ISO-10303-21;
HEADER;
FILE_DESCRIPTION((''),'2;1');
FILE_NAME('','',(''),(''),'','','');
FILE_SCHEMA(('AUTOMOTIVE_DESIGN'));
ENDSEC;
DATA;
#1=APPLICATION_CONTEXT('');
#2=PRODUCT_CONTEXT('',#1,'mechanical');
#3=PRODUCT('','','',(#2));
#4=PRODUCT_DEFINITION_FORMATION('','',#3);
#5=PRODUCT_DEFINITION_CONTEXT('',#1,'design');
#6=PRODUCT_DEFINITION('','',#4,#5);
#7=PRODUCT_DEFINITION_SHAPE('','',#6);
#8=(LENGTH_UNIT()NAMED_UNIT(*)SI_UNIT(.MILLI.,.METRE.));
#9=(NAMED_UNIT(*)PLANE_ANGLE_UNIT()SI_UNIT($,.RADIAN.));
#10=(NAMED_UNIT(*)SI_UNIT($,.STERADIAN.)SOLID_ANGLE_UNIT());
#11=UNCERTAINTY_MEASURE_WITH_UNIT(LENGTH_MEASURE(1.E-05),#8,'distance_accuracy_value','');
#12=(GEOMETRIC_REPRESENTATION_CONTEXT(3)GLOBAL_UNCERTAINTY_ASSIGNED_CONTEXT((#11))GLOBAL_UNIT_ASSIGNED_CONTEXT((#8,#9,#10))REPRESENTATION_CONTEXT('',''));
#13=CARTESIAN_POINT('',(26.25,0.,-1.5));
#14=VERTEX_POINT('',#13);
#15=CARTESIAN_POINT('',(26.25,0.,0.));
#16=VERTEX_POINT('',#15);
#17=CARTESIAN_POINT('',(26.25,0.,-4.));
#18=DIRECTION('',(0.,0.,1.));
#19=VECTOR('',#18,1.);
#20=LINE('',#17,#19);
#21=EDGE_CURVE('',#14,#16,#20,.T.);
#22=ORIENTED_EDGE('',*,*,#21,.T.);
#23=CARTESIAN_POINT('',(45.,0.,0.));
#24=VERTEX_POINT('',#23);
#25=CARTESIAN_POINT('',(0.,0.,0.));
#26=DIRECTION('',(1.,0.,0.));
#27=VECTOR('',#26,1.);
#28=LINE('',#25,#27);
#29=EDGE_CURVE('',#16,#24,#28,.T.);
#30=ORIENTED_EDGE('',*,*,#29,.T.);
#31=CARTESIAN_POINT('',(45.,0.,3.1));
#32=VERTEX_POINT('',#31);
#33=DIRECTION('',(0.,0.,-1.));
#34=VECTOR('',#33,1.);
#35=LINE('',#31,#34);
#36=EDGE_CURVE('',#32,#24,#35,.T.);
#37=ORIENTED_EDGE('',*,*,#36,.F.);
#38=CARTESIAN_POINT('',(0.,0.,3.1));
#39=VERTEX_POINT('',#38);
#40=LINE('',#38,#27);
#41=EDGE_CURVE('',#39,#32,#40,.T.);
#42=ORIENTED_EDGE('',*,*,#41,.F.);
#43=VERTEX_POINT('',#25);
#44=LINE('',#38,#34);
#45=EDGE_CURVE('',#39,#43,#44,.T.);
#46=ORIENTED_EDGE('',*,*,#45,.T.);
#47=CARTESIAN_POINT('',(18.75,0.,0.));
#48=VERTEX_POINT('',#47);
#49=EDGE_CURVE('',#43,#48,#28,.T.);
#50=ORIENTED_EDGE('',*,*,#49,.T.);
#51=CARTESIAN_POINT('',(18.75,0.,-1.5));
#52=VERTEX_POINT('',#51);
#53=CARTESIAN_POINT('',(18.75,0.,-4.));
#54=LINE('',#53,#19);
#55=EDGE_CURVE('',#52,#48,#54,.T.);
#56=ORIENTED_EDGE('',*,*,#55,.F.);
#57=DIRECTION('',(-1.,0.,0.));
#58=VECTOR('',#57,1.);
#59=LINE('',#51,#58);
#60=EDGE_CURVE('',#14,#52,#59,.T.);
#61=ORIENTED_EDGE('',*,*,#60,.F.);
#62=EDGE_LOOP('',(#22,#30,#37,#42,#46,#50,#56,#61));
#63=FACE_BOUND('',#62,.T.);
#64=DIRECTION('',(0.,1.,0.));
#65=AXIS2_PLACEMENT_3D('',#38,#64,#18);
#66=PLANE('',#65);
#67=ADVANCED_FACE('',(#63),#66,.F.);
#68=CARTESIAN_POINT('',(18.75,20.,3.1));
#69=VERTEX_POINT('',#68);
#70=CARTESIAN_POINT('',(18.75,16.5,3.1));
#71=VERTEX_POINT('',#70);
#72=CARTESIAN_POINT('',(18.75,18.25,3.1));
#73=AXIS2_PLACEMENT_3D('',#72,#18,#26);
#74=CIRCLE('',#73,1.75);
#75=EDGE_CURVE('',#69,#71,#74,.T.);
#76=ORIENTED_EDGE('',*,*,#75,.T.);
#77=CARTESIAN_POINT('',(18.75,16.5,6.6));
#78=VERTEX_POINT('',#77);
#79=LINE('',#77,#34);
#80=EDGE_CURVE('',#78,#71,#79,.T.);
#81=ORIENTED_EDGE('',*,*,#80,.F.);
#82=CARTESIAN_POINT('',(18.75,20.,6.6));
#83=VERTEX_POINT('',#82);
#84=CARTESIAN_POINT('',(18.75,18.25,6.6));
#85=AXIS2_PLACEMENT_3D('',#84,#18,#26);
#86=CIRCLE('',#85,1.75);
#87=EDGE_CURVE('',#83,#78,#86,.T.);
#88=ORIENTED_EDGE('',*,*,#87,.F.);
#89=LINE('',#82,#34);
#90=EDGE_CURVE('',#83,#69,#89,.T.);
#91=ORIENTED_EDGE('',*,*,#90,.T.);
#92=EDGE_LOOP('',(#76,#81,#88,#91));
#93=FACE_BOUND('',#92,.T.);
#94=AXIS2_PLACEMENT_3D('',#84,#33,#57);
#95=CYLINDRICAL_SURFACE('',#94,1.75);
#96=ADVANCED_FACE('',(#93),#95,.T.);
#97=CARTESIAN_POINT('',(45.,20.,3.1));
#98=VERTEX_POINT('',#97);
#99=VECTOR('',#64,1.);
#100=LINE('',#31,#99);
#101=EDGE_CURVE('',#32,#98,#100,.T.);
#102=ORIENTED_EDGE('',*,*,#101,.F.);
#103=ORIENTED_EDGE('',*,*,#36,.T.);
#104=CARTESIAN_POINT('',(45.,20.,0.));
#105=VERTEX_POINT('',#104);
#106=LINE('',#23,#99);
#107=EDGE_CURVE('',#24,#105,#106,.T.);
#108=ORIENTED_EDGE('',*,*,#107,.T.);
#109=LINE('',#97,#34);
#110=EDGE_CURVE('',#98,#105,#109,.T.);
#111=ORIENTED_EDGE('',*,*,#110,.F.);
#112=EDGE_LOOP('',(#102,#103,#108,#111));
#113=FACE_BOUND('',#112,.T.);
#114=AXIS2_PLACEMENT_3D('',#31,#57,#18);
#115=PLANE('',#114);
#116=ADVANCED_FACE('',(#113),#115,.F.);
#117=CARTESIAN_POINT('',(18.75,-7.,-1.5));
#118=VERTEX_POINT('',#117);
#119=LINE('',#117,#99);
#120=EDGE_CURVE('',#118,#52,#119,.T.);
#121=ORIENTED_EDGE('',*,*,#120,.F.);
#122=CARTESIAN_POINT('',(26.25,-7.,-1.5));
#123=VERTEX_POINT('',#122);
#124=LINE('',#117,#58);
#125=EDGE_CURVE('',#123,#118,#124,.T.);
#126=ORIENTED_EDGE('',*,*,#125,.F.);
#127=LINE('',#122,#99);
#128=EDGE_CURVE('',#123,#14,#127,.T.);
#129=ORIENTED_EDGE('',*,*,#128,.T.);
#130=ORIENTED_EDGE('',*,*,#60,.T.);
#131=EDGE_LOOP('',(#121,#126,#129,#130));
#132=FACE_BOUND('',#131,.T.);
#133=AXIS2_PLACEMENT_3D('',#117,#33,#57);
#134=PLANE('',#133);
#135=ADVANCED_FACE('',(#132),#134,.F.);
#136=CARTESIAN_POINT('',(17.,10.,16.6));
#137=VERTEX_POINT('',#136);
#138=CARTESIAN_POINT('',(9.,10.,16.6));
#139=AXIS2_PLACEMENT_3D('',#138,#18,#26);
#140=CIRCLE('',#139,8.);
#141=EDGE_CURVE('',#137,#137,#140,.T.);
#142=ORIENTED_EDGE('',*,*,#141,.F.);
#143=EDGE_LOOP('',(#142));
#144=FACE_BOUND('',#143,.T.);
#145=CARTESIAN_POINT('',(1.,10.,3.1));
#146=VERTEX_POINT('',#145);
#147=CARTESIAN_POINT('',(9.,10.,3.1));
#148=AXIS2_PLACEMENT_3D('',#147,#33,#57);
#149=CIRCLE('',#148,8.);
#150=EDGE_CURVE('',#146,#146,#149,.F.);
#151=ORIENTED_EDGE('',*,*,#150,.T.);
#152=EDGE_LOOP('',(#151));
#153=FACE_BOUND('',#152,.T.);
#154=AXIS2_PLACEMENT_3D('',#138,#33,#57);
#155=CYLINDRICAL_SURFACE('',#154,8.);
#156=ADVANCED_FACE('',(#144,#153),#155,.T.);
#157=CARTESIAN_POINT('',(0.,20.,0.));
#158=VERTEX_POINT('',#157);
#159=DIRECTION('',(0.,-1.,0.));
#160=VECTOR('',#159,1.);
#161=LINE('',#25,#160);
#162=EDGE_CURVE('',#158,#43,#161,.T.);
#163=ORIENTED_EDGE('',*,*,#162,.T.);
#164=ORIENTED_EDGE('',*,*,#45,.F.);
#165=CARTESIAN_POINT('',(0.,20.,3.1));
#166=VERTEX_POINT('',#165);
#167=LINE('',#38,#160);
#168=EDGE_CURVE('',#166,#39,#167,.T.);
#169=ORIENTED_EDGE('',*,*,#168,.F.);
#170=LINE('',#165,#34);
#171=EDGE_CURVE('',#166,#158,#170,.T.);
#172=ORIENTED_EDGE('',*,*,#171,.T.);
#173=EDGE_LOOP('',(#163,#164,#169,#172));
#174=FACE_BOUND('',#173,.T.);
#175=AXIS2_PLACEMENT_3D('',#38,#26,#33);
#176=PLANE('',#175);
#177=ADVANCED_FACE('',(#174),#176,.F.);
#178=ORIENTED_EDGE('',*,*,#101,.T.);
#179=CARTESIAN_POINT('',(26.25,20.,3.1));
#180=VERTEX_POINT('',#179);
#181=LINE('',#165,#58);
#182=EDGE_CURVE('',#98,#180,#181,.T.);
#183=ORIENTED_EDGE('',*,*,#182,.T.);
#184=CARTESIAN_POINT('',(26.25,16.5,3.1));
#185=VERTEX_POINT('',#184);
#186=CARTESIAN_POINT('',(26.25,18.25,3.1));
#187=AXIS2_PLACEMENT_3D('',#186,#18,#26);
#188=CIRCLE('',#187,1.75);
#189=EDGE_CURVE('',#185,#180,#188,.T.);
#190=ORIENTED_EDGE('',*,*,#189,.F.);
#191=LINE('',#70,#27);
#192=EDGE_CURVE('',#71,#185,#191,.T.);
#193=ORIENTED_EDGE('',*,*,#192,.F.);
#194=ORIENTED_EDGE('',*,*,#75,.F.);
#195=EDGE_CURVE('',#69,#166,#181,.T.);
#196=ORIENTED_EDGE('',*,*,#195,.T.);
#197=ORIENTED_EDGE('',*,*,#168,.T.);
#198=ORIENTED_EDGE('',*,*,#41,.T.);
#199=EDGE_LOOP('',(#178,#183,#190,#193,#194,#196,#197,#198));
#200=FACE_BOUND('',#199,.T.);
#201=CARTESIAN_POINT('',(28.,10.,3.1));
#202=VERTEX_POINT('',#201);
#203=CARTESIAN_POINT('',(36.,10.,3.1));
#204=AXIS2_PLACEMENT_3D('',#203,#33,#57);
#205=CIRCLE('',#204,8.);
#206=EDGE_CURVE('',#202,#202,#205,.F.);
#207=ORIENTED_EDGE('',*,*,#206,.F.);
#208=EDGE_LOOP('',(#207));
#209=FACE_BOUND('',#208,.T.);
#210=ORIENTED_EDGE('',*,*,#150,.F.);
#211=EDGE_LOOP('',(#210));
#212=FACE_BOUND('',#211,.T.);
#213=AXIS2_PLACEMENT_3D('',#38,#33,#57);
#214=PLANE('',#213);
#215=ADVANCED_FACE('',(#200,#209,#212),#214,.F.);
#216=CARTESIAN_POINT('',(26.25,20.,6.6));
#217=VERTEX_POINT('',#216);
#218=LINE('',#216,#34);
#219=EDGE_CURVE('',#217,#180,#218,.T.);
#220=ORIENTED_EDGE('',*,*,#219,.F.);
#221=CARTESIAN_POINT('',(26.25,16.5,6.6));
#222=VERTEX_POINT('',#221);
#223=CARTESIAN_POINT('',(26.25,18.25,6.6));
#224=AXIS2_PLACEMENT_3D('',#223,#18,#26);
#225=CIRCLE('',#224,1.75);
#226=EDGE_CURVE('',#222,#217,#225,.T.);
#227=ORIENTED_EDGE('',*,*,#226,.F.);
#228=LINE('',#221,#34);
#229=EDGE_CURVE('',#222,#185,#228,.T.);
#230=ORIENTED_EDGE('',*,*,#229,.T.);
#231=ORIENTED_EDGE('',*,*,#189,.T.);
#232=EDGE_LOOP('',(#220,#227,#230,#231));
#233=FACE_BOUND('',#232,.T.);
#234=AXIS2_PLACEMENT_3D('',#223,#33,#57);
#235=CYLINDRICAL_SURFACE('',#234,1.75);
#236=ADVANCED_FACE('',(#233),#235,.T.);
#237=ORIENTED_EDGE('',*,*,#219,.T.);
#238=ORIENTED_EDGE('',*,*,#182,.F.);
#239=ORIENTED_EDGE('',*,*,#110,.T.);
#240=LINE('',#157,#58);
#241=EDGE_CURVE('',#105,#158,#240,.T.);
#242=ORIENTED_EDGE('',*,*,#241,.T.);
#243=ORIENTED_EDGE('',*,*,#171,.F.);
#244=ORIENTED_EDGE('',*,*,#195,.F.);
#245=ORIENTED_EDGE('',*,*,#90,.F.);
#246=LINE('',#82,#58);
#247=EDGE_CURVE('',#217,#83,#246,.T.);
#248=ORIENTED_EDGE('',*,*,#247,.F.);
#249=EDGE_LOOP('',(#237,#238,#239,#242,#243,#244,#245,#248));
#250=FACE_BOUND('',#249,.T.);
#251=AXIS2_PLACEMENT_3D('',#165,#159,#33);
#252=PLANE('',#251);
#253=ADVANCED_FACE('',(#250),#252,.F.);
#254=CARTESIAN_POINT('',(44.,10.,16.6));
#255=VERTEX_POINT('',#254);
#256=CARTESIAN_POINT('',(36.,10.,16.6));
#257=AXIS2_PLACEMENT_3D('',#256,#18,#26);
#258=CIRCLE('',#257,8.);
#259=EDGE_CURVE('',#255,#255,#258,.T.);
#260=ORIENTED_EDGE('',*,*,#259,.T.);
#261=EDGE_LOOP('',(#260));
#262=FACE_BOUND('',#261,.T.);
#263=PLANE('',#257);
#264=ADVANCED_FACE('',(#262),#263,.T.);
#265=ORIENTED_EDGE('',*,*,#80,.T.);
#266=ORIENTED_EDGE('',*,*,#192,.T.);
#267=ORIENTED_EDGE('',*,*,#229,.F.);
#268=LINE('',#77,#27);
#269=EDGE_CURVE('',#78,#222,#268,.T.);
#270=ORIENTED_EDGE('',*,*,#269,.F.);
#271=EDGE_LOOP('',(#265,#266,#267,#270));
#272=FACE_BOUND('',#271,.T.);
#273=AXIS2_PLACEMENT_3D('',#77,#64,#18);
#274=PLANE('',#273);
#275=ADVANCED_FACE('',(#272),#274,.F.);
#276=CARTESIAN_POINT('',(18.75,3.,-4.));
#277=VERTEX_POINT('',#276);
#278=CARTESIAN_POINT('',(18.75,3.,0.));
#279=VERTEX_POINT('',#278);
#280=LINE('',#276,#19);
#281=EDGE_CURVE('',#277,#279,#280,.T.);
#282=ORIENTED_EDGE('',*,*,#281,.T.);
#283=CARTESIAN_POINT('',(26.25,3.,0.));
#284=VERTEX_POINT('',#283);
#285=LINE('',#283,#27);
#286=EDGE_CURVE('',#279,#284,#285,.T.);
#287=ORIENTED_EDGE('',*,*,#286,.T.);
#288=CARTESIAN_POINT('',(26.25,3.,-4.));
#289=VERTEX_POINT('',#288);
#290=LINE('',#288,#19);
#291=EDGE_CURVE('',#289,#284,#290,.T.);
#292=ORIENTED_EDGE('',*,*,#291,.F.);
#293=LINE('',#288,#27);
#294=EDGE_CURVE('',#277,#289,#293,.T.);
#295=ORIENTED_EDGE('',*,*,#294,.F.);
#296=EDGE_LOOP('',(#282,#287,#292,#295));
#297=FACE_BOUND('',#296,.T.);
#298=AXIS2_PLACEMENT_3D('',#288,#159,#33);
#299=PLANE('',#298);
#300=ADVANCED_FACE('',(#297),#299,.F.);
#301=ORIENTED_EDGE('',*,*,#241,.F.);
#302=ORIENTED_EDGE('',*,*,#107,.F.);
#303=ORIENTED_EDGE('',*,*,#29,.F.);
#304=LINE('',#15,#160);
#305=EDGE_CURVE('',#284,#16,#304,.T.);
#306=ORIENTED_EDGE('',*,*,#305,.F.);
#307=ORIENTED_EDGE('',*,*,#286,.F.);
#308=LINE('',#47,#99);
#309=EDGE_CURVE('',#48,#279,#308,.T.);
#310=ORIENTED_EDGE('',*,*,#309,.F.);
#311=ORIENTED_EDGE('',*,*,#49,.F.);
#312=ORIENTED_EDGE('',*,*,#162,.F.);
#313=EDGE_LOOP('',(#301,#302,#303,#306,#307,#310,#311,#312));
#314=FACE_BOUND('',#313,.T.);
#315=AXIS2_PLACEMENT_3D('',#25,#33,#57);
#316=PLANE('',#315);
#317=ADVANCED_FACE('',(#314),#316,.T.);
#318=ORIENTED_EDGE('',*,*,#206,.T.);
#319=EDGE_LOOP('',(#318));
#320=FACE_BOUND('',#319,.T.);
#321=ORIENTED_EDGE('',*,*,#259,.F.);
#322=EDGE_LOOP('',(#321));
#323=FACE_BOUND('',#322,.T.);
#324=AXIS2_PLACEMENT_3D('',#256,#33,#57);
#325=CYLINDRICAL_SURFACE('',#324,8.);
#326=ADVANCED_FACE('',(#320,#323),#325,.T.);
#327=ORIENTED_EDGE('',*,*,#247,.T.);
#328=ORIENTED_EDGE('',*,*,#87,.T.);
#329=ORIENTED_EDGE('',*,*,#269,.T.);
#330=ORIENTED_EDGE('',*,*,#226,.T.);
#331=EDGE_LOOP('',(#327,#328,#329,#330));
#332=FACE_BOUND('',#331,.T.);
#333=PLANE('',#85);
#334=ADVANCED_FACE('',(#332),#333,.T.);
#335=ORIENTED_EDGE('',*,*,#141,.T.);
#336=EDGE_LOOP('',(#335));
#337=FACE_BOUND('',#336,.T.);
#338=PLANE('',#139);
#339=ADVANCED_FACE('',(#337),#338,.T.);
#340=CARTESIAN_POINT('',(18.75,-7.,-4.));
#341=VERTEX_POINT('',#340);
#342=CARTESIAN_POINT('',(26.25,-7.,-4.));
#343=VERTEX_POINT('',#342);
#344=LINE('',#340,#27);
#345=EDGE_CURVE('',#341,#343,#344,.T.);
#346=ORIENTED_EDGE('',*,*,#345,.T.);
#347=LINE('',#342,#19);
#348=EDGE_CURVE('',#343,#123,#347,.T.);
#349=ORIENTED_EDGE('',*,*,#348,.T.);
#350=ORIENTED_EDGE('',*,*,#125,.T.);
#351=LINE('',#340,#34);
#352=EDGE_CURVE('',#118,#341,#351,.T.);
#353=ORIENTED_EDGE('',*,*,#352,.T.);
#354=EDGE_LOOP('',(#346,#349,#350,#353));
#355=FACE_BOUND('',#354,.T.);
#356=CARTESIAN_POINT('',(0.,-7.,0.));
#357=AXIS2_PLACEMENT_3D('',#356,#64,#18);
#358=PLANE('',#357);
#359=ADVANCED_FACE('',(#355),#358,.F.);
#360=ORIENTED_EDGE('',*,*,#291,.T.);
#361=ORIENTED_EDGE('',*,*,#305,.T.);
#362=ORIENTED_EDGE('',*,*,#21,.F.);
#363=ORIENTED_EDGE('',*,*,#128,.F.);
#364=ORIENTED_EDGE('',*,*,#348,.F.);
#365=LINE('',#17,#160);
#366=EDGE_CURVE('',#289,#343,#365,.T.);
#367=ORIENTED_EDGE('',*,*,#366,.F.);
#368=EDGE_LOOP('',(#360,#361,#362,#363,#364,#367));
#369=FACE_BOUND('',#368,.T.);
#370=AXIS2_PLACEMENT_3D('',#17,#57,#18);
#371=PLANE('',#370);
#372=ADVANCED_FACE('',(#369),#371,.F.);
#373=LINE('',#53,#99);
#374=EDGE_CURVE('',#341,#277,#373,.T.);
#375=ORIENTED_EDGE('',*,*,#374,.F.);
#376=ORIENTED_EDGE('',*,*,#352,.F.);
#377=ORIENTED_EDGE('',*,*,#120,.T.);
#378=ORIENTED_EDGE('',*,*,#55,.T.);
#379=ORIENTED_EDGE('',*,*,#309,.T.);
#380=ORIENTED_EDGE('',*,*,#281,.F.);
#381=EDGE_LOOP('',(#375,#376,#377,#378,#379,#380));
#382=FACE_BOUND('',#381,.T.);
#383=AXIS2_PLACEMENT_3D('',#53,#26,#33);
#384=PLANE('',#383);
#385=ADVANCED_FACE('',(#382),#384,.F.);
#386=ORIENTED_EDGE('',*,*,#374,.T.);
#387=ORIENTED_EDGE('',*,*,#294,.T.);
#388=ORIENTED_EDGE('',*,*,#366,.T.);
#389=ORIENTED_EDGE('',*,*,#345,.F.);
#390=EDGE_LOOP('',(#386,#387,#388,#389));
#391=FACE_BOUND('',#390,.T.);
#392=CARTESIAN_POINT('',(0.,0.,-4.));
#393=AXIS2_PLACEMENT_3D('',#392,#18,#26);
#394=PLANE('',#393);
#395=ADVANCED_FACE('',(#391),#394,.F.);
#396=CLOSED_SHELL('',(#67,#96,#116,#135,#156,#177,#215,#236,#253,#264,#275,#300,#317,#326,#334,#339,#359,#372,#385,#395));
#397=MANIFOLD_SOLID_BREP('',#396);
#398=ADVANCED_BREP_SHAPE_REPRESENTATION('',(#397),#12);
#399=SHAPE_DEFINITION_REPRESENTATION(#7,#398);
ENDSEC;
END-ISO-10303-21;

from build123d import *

# Parameters (mm, degrees)
SCHIZZO1_W                   = 45
SCHIZZO1_H                   = 20
ESTRUSIONE_ESTRUSIONE1_DEPTH = 3.1
SCHIZZO2_R                   = 8
ESTRUSIONE_ESTRUSIONE2_DEPTH = 13.5
SCHIZZO3_W                   = 7.5
SCHIZZO3_H                   = 3
ESTRUSIONE_ESTRUSIONE3_DEPTH = 4
ESTRUSIONE_ESTRUSIONE4_DEPTH = 3.5
SCHIZZO5_W                   = 7.5
SCHIZZO5_H                   = 2.5
ESTRUSIONE_ESTRUSIONE5_DEPTH = 7


with BuildPart() as part:
    # Schizzo1 → Estrusione-Estrusione1 (new body)
    with BuildSketch(Plane.XY):
        with Locations((22.5, 10)):
            Rectangle(SCHIZZO1_W, SCHIZZO1_H)
    extrude(amount=ESTRUSIONE_ESTRUSIONE1_DEPTH)

    # Schizzo2 → Estrusione-Estrusione2 (add)
    with BuildSketch(Plane.XY.offset(3.1)):
        with Locations(Location((9, 10, 0), (0, 0, 180))):
            Circle(SCHIZZO2_R)
        with Locations(Location((36, 10, 0), (0, 0, 180))):
            Circle(SCHIZZO2_R)
    extrude(amount=ESTRUSIONE_ESTRUSIONE2_DEPTH)

    # Schizzo3 → Estrusione-Estrusione3 (add)
    with BuildSketch(Plane(origin=(0, 0, 0), x_dir=(-1, 0, 0), z_dir=(0, 0, -1))):
        with Locations((-22.5, 1.5)):
            Rectangle(SCHIZZO3_W, SCHIZZO3_H)
    extrude(amount=ESTRUSIONE_ESTRUSIONE3_DEPTH)

    # Schizzo4 → Estrusione-Estrusione4 (add)
    with BuildSketch(Plane.XY.offset(3.1)):
        with BuildLine():
            Line((18.75, 20), (26.25, 20))
            ThreePointArc((26.25, 20), (28, 18.25), (26.25, 16.5))
            Line((26.25, 16.5), (18.75, 16.5))
            ThreePointArc((18.75, 16.5), (17, 18.25), (18.75, 20))
        make_face()
    extrude(amount=ESTRUSIONE_ESTRUSIONE4_DEPTH)

    # Schizzo5 → Estrusione-Estrusione5 (add)
    with BuildSketch(Plane.XZ):
        with Locations((22.5, -2.75)):
            Rectangle(SCHIZZO5_W, SCHIZZO5_H)
    extrude(amount=ESTRUSIONE_ESTRUSIONE5_DEPTH)


solid = part.part
